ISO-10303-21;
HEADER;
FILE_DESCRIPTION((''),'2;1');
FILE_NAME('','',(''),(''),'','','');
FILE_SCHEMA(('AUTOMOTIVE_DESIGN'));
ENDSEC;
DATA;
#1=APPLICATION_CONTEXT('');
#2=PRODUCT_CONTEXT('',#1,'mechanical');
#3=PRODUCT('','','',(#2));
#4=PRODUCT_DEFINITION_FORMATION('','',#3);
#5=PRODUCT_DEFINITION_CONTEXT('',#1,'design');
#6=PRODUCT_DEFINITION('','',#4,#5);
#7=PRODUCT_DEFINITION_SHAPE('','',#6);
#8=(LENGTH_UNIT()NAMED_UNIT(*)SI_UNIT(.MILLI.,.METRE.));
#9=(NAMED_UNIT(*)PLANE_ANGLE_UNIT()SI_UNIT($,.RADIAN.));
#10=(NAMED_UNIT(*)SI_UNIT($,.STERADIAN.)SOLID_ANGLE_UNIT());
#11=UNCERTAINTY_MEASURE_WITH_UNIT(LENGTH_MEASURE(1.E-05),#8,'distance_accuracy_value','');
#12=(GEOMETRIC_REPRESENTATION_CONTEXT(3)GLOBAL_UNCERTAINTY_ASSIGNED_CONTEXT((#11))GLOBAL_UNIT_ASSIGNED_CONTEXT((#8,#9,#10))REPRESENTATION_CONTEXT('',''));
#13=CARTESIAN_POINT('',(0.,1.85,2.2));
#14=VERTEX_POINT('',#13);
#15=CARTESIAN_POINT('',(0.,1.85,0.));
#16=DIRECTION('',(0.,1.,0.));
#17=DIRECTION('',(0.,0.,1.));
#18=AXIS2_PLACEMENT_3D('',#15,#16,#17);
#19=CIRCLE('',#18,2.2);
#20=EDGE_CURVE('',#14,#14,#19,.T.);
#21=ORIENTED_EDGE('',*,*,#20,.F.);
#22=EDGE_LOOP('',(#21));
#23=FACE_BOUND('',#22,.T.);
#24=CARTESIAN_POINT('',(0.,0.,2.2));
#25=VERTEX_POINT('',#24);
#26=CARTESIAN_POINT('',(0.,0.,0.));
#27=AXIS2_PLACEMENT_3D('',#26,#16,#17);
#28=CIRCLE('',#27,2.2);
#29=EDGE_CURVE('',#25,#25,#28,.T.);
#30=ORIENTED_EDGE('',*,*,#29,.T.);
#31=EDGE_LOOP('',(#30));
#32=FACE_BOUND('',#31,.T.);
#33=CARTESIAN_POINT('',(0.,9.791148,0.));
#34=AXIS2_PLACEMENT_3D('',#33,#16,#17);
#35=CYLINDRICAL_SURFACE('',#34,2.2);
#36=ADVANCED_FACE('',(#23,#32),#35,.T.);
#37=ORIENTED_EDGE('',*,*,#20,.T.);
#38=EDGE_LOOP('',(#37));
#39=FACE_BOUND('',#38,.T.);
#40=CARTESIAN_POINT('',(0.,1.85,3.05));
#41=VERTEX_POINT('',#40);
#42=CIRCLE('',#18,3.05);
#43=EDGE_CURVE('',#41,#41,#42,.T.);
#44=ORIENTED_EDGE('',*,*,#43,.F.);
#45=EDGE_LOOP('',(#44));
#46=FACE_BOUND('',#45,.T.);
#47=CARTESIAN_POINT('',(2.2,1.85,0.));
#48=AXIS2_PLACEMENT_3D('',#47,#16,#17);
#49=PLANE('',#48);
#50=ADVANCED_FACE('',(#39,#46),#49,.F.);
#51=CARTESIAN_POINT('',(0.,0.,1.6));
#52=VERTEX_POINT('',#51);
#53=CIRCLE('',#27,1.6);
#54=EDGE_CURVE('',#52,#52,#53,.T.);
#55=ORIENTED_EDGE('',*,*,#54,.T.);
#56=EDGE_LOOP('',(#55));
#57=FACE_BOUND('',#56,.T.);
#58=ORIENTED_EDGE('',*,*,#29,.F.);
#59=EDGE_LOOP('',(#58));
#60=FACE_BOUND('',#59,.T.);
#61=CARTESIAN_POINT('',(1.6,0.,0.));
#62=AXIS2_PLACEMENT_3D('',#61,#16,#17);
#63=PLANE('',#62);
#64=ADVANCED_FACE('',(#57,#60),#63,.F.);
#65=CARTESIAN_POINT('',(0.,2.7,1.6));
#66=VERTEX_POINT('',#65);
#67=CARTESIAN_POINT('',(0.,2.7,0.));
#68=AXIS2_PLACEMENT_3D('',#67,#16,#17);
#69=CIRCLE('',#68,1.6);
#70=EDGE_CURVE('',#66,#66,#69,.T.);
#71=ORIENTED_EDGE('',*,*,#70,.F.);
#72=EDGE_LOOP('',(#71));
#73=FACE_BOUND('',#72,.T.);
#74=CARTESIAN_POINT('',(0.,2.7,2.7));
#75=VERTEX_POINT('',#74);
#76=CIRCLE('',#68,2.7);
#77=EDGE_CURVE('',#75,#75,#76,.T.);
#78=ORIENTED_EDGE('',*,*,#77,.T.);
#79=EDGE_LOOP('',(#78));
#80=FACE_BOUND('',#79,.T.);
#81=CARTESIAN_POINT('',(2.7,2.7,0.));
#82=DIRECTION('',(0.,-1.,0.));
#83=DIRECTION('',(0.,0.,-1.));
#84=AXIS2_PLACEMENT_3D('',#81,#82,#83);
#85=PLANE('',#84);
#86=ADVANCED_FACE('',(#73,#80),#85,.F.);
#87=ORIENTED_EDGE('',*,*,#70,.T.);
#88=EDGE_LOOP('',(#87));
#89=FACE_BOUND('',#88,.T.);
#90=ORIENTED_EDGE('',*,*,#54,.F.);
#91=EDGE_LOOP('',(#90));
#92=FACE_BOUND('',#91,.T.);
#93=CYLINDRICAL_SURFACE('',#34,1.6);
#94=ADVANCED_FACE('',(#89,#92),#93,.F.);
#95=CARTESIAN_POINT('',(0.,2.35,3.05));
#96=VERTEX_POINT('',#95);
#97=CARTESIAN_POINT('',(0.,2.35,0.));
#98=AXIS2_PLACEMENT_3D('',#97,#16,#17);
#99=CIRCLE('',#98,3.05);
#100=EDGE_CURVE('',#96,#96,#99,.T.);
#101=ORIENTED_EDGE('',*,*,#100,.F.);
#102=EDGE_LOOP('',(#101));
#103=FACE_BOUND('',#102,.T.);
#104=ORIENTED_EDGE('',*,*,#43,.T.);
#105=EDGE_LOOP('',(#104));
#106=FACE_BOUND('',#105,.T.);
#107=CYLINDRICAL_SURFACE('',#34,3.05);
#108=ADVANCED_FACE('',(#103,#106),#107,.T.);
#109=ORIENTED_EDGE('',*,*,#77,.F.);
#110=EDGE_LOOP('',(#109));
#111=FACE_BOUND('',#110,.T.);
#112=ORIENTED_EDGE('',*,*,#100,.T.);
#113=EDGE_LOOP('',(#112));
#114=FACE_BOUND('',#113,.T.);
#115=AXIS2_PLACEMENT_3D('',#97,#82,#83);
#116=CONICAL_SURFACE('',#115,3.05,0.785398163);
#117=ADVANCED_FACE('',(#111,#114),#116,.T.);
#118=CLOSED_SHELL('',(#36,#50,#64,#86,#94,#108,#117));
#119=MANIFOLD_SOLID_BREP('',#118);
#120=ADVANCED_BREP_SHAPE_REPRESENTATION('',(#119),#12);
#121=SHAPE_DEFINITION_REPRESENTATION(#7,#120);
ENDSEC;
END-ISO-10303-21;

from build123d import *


with BuildPart() as part:
    # Sketch1 → Revolve1 (revolve)
    with BuildSketch(Plane.XY):
        Polygon((1.6, 2.7), (1.6, 0), (2.2, 0), (2.2, 1.85), (3.05, 1.85), (3.05, 2.35), (2.7, 2.7), align=None)
    revolve(axis=Axis((0, 9.791147956, 0), (0, -1, 0)))


solid = part.part
